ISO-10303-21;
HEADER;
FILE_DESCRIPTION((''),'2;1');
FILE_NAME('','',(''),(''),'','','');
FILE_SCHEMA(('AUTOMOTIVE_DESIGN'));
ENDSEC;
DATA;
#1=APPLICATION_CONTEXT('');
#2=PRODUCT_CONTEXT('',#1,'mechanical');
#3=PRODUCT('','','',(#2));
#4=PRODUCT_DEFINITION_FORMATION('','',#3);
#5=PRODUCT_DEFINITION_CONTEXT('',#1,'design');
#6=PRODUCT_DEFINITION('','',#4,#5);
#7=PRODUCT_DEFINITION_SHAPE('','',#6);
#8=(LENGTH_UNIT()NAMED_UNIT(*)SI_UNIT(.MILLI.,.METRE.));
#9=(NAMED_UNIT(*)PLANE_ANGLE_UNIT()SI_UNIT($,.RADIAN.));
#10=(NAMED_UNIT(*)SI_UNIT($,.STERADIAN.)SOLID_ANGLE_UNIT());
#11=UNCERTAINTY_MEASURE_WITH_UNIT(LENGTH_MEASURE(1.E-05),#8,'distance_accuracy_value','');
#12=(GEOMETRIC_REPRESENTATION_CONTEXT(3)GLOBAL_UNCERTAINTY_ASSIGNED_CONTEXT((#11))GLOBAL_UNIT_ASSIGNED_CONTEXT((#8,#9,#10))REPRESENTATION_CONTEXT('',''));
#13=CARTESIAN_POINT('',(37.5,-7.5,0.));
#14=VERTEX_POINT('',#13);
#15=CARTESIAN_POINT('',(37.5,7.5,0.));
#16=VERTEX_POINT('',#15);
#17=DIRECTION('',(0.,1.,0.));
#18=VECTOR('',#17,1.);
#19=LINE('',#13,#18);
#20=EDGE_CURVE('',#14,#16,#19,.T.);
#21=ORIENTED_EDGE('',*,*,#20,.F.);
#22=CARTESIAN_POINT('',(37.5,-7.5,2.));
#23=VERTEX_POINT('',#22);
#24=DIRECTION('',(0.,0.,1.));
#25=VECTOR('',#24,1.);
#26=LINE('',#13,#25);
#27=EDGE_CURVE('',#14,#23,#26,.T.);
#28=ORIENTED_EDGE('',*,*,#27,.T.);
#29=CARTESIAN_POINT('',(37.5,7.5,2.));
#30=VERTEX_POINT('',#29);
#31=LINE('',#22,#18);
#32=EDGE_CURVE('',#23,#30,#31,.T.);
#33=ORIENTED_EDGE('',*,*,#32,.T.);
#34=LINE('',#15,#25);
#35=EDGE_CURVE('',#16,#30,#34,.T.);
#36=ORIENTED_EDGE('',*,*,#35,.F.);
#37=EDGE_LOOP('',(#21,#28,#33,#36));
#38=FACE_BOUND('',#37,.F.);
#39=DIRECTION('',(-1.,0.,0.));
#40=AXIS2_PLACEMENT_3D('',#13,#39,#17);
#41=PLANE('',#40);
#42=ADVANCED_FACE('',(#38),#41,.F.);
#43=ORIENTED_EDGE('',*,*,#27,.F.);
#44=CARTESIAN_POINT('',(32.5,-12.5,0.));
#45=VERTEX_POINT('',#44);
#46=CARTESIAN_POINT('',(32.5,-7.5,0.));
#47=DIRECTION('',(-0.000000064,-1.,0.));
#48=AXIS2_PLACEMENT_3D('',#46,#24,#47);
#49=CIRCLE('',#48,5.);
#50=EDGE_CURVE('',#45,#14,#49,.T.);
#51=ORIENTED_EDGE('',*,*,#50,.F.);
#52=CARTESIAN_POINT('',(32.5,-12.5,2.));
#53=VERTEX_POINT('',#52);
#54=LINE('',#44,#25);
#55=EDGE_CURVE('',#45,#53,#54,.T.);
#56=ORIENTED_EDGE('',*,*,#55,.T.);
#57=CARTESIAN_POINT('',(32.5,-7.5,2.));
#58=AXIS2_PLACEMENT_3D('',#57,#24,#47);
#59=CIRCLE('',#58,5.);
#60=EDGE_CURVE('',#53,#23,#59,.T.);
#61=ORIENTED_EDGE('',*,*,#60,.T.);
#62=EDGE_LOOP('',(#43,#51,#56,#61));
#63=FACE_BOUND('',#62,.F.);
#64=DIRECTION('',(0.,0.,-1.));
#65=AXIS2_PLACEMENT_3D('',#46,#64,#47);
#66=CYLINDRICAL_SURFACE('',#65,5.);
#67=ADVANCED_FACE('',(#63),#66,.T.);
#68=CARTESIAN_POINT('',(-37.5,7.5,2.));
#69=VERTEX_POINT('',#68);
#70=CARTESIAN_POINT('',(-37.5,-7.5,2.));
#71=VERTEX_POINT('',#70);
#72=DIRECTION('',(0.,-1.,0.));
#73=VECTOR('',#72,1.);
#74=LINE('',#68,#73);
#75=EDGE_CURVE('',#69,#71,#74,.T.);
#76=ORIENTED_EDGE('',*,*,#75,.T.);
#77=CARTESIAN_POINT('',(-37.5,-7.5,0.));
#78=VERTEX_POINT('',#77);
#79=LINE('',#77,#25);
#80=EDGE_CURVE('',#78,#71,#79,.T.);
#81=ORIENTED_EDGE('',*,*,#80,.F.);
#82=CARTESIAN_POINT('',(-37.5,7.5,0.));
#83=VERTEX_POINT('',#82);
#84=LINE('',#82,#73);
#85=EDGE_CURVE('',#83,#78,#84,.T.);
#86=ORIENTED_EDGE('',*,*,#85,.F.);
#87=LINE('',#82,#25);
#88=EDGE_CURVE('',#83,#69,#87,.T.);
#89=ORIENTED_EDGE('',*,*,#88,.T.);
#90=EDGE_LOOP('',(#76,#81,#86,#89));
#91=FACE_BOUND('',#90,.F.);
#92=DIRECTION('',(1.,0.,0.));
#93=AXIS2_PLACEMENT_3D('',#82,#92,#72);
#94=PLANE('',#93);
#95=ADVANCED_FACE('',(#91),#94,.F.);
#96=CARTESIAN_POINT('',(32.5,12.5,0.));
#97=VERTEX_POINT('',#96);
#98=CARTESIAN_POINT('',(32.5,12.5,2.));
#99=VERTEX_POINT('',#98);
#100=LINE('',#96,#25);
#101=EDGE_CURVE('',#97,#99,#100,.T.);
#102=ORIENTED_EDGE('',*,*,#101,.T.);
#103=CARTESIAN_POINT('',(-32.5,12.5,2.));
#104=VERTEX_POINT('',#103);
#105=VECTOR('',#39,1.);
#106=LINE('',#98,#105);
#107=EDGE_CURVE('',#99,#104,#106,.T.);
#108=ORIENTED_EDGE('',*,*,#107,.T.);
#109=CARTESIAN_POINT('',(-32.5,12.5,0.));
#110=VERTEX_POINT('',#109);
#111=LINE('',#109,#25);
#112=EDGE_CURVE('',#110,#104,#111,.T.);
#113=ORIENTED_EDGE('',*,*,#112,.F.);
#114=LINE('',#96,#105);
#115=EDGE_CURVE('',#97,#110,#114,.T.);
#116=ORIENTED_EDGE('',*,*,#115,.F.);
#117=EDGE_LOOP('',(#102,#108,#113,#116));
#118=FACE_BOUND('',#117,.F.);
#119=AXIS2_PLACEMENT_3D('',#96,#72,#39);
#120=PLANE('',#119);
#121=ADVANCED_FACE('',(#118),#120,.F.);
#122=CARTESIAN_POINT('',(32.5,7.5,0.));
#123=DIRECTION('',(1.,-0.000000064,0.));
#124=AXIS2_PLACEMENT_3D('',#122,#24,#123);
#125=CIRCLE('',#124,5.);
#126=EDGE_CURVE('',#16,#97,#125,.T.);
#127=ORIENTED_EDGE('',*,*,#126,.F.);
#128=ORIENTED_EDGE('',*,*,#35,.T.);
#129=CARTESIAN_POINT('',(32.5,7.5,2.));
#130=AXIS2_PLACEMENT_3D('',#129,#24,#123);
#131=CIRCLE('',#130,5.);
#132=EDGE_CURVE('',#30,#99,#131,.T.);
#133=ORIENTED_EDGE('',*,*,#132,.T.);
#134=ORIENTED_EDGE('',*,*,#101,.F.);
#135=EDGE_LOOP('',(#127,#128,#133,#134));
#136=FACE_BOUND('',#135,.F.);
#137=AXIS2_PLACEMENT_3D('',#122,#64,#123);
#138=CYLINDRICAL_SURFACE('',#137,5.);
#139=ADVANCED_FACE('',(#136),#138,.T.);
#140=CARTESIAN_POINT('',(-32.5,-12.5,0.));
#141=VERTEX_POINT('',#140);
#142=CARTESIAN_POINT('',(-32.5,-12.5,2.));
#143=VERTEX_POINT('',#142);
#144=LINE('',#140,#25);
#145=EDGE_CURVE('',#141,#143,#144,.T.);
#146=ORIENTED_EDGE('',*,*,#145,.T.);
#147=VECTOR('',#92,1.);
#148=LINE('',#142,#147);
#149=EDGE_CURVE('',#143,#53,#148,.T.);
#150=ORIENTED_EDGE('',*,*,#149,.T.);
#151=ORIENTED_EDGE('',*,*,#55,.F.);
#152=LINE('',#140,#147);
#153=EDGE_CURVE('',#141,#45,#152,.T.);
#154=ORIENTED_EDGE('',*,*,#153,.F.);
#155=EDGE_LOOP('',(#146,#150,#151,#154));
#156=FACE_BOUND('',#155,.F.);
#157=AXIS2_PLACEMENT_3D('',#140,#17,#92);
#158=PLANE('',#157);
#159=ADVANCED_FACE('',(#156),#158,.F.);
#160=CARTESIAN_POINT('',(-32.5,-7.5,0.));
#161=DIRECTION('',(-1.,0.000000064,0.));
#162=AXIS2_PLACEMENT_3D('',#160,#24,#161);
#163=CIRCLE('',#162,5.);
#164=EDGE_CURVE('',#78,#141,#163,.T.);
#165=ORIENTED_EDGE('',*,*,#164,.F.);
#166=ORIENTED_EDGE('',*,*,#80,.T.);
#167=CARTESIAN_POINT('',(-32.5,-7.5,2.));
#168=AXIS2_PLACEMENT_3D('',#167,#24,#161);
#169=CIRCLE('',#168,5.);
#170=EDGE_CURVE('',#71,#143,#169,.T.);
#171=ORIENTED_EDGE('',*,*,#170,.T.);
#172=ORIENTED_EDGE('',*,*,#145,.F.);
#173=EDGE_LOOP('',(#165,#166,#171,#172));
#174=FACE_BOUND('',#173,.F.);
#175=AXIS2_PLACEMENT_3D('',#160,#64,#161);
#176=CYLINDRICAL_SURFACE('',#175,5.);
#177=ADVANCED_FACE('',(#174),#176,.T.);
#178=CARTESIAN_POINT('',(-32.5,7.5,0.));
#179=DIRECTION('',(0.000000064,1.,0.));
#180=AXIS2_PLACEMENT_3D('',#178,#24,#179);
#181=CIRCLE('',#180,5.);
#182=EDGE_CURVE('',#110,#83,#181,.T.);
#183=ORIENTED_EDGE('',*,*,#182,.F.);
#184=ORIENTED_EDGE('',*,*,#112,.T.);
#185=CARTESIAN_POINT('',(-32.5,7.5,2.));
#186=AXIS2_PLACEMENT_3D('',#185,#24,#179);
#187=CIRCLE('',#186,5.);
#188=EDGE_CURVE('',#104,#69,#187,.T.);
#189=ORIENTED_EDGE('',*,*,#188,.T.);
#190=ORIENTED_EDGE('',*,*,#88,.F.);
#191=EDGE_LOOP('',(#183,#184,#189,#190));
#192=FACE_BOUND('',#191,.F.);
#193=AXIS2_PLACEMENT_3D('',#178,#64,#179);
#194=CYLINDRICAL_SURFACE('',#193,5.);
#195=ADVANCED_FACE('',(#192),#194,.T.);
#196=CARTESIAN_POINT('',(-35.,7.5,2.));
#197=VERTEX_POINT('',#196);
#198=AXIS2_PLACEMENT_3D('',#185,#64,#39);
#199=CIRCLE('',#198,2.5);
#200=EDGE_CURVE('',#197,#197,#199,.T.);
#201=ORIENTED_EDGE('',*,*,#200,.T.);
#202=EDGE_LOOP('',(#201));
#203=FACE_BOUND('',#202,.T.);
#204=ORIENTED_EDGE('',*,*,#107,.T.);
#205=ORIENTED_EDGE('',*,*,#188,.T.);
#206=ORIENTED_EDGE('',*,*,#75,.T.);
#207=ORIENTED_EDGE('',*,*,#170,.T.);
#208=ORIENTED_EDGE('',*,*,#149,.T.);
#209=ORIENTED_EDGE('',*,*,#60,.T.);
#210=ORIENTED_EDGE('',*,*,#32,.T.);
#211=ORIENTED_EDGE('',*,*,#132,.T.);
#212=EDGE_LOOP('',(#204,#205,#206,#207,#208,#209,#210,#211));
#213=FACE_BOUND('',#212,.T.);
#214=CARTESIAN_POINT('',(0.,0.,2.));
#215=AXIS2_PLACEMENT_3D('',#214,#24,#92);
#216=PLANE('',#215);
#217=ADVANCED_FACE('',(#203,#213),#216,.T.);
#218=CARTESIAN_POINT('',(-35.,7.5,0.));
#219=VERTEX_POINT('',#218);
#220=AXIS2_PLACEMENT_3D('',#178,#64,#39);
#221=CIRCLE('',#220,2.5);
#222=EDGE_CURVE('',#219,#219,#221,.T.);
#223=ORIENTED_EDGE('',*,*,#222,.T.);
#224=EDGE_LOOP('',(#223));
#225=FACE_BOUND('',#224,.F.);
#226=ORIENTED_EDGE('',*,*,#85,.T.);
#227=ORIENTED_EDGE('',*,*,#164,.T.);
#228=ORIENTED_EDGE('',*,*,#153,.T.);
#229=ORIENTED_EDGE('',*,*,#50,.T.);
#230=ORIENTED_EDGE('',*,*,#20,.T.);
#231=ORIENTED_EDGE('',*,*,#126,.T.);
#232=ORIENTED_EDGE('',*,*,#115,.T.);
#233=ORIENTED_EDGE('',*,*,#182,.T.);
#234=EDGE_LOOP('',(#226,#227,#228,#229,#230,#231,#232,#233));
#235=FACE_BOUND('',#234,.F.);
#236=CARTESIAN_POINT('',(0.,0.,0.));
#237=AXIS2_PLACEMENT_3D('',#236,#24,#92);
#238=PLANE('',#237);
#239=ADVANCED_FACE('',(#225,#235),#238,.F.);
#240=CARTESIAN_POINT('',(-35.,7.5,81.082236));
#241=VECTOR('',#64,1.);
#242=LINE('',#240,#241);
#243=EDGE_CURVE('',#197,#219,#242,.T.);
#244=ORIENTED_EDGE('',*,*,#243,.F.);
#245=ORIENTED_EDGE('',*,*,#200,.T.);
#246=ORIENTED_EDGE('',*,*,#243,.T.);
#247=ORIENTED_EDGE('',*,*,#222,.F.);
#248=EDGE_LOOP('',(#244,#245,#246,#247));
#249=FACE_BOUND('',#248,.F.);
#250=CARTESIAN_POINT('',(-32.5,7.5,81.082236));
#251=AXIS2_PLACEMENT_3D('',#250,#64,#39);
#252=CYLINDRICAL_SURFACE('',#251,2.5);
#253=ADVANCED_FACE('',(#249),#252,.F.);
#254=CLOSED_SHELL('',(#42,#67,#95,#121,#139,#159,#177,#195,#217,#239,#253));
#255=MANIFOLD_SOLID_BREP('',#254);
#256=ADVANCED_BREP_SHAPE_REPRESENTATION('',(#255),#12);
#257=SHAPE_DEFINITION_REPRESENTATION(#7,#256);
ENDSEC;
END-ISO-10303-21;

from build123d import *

# Parameters (mm, degrees)
F1_DEPTH = 2
F3_D     = 5


with BuildPart() as f1:
    # F0 (on Top) → F1 (new body)
    with BuildSketch(Plane.XY):
        with BuildLine():
            ThreePointArc((37.5, 7.5), (36.035534, 11.035534), (32.5, 12.5))
            Line((32.5, 12.5), (-32.5, 12.5))
            ThreePointArc((-32.5, 12.5), (-36.035534, 11.035534), (-37.5, 7.5))
            Line((-37.5, 7.5), (-37.5, -7.5))
            ThreePointArc((-37.5, -7.5), (-36.035534, -11.035534), (-32.5, -12.5))
            Line((-32.5, -12.5), (32.5, -12.5))
            ThreePointArc((32.5, -12.5), (36.035534, -11.035534), (37.5, -7.5))
            Line((37.5, -7.5), (37.5, 7.5))
        make_face()
    extrude(amount=F1_DEPTH)

    # F3 (through all)
    with Locations(Plane.XY.offset(2)):
        with Locations((-32.5, 7.5)):
            Hole(F3_D / 2)


solid = f1.part
